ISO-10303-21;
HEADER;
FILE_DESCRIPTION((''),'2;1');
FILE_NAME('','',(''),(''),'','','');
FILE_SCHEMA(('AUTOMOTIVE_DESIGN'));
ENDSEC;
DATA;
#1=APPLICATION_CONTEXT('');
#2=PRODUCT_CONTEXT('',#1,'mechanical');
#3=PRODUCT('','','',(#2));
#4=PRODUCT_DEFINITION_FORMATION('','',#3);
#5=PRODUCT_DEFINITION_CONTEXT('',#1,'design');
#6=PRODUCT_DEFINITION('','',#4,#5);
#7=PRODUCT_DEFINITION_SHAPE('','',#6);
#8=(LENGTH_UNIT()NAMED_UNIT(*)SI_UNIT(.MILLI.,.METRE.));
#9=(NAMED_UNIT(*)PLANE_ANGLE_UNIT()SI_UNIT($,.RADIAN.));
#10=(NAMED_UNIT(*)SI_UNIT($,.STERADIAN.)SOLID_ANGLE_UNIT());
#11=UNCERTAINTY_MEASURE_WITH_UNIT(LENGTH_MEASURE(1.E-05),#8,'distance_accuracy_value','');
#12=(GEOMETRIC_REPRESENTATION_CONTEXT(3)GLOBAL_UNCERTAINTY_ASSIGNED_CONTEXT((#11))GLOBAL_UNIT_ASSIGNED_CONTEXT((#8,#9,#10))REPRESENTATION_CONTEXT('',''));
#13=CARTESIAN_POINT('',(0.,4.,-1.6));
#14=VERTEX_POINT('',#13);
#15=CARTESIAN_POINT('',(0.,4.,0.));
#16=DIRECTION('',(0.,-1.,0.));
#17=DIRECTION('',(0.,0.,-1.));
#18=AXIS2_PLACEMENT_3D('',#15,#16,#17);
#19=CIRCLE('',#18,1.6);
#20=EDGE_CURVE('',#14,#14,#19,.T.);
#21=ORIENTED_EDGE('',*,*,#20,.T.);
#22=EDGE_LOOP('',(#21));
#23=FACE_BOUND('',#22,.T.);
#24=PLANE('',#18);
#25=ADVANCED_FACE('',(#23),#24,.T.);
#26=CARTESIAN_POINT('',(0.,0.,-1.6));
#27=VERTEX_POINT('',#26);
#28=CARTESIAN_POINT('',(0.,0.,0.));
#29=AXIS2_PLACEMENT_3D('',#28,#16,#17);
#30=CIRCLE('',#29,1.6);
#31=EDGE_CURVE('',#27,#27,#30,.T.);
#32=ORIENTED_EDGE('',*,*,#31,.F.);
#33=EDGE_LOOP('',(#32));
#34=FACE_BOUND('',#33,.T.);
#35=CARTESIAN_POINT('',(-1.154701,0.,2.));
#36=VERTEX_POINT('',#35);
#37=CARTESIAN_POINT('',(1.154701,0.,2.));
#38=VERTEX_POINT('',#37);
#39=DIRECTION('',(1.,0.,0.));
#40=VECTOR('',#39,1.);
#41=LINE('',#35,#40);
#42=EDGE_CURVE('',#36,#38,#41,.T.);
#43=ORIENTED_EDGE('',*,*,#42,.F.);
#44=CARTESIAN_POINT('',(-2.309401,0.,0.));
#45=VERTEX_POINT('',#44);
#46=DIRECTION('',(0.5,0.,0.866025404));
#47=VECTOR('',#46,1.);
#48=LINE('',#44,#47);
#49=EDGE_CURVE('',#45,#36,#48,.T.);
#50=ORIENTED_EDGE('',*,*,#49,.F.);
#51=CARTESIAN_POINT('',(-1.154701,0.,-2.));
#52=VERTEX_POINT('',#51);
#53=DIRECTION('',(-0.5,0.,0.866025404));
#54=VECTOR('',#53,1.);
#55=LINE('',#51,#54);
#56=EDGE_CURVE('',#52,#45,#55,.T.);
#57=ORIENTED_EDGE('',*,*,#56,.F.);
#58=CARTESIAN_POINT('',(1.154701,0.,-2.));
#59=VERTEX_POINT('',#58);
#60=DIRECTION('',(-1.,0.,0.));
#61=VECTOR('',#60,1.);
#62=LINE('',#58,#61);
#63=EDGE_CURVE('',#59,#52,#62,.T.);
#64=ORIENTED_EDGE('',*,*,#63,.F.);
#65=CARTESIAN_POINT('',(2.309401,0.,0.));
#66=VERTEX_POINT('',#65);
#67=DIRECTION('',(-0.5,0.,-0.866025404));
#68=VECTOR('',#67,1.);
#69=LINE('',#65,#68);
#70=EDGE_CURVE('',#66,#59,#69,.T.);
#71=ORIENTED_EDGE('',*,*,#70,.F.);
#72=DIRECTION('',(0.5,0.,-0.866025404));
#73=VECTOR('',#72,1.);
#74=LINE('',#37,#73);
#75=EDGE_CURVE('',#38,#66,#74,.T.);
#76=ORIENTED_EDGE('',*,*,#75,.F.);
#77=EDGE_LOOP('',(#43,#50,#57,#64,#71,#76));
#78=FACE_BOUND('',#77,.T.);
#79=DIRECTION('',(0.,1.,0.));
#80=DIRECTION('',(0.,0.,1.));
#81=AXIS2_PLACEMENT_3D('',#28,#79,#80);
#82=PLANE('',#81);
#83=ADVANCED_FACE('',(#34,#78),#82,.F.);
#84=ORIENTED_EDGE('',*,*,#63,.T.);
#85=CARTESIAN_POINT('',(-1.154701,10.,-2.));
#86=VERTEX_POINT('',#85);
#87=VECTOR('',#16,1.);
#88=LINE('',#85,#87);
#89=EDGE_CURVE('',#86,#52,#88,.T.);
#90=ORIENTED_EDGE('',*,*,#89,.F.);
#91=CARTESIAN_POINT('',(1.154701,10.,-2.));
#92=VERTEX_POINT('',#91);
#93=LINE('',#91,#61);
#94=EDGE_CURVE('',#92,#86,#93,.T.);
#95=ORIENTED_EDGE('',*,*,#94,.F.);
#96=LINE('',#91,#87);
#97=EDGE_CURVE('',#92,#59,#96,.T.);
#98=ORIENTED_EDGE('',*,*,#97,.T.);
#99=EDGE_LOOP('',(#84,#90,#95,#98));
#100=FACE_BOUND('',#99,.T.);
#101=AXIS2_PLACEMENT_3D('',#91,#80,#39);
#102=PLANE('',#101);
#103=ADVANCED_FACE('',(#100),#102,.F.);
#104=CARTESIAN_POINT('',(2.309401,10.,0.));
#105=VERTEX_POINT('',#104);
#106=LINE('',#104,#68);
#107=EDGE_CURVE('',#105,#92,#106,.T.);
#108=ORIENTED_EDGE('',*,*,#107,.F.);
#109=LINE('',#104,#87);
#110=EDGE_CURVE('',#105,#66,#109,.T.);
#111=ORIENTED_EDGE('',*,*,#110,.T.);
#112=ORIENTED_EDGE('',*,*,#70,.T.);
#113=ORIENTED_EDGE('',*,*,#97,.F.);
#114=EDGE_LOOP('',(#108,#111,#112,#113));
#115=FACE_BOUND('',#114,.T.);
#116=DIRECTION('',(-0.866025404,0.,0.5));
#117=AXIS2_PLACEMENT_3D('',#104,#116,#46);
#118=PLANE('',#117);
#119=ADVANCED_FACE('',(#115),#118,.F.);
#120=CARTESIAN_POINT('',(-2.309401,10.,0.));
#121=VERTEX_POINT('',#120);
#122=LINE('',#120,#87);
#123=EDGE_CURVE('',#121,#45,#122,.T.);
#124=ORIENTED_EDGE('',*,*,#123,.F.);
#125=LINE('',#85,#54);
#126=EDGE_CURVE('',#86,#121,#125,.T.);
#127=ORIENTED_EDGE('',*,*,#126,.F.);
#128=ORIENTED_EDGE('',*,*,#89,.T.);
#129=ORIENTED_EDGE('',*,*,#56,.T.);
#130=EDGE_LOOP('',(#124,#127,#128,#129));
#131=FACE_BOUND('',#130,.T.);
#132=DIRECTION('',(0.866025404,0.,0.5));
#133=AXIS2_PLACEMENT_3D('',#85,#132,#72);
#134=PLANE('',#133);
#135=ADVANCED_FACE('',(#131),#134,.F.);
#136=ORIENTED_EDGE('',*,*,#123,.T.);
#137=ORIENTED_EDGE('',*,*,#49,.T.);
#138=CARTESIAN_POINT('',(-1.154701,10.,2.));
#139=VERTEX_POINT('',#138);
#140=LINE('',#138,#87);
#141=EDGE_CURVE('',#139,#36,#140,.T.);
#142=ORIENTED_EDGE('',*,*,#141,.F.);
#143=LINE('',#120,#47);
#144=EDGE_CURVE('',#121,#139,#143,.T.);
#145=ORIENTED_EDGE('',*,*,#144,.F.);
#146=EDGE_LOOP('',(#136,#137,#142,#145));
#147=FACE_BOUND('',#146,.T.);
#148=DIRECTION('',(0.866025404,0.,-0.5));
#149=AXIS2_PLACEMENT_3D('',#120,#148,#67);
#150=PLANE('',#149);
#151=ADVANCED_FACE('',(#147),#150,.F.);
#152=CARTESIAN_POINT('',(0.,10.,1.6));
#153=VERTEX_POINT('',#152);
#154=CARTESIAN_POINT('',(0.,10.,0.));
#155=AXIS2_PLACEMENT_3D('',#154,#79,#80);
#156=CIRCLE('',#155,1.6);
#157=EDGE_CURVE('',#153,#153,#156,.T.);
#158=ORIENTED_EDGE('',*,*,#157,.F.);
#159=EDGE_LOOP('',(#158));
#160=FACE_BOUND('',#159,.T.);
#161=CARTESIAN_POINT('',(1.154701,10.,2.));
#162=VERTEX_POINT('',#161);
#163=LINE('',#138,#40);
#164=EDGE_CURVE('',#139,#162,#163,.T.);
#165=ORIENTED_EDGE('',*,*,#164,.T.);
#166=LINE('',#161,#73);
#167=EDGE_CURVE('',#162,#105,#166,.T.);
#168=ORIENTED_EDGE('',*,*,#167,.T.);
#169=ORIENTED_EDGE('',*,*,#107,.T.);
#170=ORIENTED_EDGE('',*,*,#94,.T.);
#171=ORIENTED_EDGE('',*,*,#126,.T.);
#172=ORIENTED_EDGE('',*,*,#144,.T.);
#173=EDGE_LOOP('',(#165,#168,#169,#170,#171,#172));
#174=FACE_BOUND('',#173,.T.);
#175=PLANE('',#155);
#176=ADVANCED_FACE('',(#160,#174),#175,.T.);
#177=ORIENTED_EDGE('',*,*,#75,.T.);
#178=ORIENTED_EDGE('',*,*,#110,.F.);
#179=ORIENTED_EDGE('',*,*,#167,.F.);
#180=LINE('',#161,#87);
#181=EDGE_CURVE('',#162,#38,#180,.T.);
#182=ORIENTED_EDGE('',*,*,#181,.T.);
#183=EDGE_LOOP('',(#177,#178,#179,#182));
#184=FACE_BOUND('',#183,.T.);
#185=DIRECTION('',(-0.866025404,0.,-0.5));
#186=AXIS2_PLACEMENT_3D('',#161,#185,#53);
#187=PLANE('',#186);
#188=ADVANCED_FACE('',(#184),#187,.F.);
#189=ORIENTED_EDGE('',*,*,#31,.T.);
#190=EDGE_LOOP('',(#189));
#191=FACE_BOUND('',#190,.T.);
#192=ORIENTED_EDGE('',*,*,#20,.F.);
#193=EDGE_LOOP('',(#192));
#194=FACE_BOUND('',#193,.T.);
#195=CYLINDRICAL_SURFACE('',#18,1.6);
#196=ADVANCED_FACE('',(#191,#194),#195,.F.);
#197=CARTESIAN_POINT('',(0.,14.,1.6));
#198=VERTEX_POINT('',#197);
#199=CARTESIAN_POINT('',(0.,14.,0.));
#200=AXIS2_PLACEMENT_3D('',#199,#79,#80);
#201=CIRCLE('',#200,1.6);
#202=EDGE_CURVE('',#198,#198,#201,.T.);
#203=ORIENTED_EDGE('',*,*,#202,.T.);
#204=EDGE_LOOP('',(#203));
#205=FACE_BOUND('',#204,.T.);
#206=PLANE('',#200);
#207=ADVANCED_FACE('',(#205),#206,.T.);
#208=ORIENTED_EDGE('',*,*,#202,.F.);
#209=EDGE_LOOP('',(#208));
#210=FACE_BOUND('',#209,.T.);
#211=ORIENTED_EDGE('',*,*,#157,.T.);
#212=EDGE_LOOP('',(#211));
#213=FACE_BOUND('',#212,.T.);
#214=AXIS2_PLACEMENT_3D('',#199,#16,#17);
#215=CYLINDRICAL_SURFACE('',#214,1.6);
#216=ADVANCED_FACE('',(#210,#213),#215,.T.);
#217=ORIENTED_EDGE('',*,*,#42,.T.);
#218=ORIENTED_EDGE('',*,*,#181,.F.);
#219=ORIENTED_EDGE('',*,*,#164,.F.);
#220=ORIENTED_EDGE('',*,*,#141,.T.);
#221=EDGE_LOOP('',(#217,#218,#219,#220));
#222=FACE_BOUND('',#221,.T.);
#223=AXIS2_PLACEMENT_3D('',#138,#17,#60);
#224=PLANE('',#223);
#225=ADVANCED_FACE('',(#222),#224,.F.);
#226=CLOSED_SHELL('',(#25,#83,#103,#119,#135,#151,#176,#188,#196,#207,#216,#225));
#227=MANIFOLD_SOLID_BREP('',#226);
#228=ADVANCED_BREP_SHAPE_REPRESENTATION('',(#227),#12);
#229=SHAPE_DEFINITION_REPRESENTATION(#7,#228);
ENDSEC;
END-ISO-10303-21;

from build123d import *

# Parameters (mm, degrees)
EXTRUDE_1_DEPTH     = 10
SKETCH_2_R          = 1.6
EXTRUDE_2_DEPTH     = 4
SKETCH_3_R          = 1.6
CUT_EXTRUDE_1_DEPTH = 4


with BuildPart() as part:
    # 草图1 → 凸台-拉伸1 (new body)
    with BuildSketch(Plane(origin=(0, 0, 0), x_dir=(1, 0, 0), z_dir=(0, 1, 0))):
        Polygon((2.309401077, 0), (1.154700538, 2), (-1.154700538, 2), (-2.309401077, 0), (-1.154700538, -2), (1.154700538, -2), align=None)
    extrude(amount=EXTRUDE_1_DEPTH)

    # 草图2 → 凸台-拉伸2 (add)
    with BuildSketch(Plane(origin=(0, 10, 0), x_dir=(1, 0, 0), z_dir=(0, 1, 0))):
        with Locations(Location((0, 0, 0), (0, 0, 270))):
            Circle(SKETCH_2_R)
    extrude(amount=EXTRUDE_2_DEPTH)

    # 草图3 → 切除-拉伸1 (cut)
    with BuildSketch(Plane.XZ):
        with Locations(Location((0, 0, 0), (0, 0, 90))):
            Circle(SKETCH_3_R)
    extrude(amount=-CUT_EXTRUDE_1_DEPTH, mode=Mode.SUBTRACT)


solid = part.part
